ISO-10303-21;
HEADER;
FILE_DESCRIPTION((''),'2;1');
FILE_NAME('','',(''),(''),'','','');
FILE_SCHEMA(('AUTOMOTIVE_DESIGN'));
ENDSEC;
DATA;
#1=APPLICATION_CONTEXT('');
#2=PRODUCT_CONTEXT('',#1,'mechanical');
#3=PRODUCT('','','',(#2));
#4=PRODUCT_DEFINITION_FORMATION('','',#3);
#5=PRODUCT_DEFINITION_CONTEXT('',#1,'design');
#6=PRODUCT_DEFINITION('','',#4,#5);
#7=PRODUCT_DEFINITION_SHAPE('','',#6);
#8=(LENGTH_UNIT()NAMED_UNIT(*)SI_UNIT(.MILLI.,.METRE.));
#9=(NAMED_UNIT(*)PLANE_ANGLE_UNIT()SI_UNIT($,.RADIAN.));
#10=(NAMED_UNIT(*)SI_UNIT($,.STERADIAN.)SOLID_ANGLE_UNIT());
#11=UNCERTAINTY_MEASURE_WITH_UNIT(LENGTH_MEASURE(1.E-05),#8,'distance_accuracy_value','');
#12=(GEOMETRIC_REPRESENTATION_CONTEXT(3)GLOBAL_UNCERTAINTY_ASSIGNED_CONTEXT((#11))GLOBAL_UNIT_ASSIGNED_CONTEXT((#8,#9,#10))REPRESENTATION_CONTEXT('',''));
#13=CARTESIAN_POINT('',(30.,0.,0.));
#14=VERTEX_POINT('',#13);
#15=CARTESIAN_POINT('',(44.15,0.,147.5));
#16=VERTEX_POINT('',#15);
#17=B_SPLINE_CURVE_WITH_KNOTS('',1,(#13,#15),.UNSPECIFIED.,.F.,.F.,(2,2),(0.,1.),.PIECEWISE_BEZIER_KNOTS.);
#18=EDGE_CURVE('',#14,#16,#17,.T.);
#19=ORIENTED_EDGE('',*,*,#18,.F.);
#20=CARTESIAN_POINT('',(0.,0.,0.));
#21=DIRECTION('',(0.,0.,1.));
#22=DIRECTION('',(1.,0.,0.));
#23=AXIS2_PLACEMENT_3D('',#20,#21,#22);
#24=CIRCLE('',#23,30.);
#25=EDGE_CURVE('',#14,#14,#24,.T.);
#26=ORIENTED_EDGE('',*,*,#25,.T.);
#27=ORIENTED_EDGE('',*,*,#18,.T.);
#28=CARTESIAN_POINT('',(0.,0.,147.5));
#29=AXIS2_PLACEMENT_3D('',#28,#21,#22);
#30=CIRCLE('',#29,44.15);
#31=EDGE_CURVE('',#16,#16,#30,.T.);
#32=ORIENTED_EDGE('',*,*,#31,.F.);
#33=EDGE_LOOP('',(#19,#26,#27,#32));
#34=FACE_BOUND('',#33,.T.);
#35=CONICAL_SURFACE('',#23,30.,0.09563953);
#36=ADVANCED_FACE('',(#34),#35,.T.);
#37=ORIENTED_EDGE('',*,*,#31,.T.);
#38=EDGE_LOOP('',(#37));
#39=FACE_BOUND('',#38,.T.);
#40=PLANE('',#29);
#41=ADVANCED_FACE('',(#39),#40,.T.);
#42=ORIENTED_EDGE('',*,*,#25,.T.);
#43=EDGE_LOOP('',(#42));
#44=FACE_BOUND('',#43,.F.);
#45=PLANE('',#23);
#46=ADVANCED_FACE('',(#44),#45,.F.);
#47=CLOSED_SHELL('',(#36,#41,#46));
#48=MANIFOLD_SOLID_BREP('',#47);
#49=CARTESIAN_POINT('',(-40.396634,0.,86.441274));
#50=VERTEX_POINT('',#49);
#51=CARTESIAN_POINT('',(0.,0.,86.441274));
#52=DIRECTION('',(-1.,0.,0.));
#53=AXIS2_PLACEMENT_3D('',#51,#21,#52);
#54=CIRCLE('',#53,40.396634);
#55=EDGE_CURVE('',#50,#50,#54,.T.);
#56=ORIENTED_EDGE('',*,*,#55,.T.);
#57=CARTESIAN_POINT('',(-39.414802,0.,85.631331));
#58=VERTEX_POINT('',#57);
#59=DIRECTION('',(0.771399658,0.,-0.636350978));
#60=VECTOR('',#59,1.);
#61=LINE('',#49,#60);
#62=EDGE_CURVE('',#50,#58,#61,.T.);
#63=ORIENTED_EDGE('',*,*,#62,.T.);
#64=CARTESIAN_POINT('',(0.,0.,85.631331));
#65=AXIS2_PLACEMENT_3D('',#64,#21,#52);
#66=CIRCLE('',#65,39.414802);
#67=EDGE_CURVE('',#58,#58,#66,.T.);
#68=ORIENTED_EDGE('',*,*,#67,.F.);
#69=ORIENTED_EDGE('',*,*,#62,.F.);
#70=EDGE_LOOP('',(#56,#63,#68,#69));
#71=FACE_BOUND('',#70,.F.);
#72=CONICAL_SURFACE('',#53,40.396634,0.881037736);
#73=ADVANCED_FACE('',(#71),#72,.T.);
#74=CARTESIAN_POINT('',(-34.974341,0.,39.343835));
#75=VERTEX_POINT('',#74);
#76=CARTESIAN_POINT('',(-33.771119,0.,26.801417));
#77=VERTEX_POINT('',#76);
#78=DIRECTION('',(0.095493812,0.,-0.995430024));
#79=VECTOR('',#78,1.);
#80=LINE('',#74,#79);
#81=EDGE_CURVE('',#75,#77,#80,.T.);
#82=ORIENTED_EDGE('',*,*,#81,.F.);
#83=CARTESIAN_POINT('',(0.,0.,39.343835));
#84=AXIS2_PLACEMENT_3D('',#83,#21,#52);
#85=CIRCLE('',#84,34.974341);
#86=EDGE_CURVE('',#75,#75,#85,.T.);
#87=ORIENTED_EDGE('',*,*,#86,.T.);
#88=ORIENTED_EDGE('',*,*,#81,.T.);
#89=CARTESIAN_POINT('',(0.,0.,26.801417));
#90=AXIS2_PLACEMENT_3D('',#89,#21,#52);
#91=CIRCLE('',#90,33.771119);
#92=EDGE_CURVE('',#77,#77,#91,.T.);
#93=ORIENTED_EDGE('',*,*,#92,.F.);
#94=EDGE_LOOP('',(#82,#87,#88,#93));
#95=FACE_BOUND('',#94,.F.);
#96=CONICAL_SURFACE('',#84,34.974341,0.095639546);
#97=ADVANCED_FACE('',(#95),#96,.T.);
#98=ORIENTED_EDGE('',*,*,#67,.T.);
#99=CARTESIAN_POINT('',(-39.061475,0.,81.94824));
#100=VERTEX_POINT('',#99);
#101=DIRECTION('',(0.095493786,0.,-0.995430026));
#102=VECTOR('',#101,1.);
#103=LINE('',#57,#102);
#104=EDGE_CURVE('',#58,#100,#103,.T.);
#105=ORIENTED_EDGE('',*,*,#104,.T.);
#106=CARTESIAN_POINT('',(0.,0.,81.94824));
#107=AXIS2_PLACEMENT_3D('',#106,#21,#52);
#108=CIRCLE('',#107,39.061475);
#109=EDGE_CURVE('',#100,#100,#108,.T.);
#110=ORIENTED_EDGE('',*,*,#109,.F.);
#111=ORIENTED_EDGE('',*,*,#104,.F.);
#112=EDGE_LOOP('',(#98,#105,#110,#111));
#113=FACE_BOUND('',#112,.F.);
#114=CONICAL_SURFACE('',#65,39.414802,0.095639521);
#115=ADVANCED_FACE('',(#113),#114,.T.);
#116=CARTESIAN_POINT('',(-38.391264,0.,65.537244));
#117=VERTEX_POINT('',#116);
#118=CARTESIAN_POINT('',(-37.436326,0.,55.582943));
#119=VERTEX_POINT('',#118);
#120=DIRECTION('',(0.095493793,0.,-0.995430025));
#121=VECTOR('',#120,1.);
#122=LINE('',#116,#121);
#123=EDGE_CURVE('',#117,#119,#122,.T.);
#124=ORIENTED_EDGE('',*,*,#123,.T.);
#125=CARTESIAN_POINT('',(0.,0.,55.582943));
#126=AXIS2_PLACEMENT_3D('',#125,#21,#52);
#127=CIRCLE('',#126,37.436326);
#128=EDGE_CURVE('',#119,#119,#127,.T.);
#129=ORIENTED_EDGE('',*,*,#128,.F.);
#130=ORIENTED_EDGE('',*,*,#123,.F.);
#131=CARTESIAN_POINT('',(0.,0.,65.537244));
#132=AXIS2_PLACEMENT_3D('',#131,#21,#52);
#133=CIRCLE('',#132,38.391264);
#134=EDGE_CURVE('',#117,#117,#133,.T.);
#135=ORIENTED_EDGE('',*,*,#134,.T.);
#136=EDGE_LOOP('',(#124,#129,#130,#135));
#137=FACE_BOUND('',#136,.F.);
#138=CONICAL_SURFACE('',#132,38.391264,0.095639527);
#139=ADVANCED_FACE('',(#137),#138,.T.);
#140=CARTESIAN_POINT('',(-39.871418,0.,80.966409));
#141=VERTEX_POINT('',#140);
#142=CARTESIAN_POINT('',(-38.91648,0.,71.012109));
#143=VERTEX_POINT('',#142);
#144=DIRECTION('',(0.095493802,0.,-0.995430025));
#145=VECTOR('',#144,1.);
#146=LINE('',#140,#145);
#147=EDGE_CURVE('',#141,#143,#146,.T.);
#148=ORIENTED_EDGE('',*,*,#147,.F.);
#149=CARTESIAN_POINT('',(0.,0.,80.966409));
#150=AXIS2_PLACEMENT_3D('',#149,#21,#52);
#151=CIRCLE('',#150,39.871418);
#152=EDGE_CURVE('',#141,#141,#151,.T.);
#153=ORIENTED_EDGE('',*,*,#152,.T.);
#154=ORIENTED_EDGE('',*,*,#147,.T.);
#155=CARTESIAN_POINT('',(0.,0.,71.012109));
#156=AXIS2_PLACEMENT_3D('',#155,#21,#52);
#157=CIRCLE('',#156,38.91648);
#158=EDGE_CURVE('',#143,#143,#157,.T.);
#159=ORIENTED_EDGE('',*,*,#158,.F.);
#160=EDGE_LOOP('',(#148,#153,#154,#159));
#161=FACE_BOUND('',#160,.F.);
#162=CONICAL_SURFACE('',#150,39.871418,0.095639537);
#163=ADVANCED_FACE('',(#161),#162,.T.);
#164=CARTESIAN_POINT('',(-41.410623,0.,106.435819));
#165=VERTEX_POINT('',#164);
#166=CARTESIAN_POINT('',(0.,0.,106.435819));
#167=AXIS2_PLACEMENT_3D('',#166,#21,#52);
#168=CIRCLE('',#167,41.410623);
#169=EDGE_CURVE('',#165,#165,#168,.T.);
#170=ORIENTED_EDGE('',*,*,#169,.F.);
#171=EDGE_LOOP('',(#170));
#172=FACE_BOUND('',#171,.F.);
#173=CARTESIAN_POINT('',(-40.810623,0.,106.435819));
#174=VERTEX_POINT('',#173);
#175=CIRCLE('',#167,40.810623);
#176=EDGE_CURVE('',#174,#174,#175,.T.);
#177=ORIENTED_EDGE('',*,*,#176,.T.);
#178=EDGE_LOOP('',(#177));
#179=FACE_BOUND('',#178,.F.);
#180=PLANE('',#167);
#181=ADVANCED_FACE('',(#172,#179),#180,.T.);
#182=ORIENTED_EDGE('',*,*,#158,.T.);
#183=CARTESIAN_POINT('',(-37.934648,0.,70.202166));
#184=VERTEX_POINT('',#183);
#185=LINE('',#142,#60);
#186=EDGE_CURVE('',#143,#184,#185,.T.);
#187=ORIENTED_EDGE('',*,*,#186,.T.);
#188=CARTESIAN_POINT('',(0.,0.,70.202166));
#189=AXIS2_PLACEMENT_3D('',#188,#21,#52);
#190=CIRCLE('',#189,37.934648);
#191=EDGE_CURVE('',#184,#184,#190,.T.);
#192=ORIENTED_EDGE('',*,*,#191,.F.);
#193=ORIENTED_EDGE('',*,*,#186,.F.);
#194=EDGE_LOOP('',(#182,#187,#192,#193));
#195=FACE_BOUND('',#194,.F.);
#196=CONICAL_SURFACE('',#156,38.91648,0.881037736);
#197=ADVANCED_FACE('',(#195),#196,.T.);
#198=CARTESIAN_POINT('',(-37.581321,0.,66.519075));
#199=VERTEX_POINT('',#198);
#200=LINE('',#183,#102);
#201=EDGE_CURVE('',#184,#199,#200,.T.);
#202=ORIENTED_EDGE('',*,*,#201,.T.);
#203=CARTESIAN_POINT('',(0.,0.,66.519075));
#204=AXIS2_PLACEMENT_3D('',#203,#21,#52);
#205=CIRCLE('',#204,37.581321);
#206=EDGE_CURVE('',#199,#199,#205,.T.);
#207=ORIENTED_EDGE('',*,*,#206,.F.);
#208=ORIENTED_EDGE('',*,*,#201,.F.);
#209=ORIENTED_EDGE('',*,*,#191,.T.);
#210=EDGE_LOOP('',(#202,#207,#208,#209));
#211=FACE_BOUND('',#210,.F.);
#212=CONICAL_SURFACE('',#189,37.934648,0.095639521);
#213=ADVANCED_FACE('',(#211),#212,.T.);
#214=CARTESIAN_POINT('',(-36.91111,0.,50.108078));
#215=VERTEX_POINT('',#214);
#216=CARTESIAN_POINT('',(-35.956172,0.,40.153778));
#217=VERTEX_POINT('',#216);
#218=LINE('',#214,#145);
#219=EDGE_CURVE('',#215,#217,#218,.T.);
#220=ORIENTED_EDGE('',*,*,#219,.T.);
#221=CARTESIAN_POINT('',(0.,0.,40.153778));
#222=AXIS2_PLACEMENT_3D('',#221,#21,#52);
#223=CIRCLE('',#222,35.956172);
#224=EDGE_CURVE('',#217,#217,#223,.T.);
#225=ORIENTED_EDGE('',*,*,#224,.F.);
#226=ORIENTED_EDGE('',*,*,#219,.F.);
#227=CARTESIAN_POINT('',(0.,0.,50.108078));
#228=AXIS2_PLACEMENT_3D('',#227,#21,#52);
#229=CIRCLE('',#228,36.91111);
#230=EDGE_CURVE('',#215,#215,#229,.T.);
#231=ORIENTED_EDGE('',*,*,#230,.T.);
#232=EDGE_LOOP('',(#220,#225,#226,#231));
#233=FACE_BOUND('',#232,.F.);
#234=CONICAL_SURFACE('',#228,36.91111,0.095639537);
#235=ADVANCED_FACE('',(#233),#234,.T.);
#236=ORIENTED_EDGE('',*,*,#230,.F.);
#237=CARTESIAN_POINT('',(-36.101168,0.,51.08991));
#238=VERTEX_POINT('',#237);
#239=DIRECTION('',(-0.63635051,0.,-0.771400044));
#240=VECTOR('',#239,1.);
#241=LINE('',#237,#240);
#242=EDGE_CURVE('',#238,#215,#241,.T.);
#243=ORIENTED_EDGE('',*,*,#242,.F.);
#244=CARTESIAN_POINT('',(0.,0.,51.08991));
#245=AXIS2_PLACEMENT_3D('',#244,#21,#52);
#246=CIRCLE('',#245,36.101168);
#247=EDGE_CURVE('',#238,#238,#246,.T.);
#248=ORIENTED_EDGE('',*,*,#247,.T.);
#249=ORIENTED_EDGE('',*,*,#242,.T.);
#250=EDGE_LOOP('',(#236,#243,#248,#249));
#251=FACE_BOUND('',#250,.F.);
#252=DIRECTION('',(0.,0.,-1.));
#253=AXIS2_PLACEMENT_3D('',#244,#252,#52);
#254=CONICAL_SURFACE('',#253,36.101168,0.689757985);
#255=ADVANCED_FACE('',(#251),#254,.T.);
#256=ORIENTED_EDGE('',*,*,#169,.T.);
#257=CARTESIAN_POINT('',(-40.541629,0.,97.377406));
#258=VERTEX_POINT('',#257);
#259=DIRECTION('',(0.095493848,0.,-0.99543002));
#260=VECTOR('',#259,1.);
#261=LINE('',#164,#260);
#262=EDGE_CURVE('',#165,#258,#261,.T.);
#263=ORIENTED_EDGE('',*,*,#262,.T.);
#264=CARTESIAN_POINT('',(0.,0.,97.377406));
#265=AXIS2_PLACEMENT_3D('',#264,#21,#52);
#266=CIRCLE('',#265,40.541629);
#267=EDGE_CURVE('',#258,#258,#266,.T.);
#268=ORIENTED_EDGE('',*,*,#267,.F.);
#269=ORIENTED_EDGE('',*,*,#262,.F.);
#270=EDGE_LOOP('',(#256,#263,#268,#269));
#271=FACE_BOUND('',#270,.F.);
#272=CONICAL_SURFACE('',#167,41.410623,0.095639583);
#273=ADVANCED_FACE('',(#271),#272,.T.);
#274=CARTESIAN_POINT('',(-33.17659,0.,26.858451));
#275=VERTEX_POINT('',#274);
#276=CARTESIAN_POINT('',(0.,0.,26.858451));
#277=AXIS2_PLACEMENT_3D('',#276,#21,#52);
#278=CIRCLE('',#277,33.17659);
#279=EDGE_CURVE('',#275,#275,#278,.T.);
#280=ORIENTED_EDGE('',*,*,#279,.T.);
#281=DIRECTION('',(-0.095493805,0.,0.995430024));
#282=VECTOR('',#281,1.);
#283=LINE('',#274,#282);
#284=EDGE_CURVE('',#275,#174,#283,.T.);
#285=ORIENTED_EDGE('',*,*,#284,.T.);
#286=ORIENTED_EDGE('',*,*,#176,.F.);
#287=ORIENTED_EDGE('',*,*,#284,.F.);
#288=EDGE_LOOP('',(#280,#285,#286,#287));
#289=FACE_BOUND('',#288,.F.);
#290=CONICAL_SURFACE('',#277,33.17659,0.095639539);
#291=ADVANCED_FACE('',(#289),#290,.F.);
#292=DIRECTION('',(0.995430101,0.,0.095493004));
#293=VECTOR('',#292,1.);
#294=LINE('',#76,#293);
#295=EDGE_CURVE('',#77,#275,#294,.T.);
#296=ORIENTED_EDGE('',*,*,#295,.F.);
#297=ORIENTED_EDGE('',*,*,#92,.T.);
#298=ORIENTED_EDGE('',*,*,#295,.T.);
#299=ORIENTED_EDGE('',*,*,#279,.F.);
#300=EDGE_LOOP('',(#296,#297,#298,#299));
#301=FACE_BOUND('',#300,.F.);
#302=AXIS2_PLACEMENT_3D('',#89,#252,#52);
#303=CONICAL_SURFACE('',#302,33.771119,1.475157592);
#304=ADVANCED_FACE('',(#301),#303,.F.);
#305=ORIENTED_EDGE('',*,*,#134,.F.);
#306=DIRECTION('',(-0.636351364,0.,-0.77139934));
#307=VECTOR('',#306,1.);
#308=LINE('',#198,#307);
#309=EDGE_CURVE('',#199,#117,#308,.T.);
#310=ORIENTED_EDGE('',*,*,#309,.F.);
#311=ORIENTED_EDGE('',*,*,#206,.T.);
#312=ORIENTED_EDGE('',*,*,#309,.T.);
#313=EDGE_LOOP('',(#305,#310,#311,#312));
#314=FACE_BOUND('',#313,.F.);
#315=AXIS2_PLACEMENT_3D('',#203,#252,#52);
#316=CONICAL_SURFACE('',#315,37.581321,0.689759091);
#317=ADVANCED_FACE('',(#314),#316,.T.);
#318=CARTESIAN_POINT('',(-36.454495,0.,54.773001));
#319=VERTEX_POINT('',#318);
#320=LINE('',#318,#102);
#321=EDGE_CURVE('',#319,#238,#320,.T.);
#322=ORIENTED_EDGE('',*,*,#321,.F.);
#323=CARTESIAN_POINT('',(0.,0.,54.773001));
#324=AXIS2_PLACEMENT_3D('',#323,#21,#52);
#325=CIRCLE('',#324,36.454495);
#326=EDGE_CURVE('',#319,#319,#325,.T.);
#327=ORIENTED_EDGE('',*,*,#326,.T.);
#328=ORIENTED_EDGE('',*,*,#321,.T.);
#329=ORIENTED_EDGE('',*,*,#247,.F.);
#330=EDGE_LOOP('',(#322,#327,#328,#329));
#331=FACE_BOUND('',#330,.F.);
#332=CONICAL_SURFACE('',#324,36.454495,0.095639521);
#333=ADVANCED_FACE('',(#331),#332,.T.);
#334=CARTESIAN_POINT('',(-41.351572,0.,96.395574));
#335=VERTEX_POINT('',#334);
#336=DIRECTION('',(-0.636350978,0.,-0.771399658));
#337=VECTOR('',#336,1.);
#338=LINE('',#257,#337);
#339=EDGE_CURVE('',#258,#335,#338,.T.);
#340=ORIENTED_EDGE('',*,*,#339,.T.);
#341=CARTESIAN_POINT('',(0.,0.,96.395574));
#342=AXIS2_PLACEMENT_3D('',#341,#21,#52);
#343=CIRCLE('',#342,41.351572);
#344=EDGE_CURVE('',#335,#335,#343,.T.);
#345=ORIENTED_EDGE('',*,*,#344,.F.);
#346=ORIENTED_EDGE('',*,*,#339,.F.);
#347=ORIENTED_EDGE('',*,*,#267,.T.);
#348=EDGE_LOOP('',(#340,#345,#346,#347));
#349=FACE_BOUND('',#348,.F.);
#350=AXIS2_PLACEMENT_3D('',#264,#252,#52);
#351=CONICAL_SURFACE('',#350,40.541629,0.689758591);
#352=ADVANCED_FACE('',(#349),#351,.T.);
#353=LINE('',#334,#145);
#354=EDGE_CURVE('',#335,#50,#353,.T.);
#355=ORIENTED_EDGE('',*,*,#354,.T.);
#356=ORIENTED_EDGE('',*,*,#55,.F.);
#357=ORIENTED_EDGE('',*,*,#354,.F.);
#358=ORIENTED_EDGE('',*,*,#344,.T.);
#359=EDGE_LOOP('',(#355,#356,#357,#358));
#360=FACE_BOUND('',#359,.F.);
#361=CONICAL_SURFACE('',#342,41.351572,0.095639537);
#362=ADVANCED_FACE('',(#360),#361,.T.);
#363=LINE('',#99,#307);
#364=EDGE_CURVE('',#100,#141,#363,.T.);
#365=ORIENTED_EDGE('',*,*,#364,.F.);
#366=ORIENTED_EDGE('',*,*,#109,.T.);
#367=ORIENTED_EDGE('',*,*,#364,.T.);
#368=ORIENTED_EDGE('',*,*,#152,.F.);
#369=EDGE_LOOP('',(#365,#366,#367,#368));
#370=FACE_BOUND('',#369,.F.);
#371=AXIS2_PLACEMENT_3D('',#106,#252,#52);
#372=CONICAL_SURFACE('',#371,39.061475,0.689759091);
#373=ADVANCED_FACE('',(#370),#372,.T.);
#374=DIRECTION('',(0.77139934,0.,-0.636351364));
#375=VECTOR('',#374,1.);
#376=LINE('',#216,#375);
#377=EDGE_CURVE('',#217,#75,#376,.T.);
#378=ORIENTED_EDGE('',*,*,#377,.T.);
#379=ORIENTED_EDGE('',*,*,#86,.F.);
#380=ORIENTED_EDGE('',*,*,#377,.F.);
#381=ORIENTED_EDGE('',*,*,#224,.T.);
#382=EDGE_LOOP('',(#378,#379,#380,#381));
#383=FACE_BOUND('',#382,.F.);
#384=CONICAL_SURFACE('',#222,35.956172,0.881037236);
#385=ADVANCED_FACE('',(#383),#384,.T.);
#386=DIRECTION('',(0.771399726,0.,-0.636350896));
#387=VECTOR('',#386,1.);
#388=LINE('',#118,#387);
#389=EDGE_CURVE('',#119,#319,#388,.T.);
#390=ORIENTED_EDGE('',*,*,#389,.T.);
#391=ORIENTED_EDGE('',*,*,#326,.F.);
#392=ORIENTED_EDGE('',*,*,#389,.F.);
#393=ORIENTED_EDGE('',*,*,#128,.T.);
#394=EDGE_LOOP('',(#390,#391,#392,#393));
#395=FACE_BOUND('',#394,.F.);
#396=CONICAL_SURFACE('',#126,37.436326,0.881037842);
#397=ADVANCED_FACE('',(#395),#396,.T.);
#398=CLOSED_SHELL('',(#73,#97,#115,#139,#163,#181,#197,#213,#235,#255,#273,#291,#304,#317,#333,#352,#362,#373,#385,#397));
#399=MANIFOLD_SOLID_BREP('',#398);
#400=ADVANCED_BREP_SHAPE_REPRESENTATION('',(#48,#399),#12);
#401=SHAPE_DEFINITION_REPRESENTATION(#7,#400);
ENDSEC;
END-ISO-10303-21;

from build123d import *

# Parameters (mm, degrees)
F0_R = 30
F2_R = 44.15


with BuildPart() as f3:
    # F0 (on Top) → F3 section 0
    with BuildSketch(Plane.XY):
        Circle(F0_R)
    # F2 (on offset) → F3 section 1
    with BuildSketch(Plane.XY.offset(147.5)):
        Circle(F2_R)
    loft()


with BuildPart() as f5:
    # F4 (on Front) → F5 (revolve)
    with BuildSketch(Plane.XZ):
        Polygon((-39.414802, 85.631331), (-40.541629, 97.377406), (-41.351572, 96.395574), (-40.396634, 86.441274), align=None)
        Polygon((-33.17659, 26.858451), (-40.810623, 106.435819), (-41.410623, 106.435819), (-40.541629, 97.377406), (-39.414802, 85.631331), (-39.061475, 81.94824), (-37.934648, 70.202166), (-37.581321, 66.519075), (-36.454495, 54.773001), (-36.101168, 51.08991), (-34.974341, 39.343835), (-33.771119, 26.801417), align=None)
        Polygon((-37.934648, 70.202166), (-39.061475, 81.94824), (-39.871418, 80.966409), (-38.91648, 71.012109), align=None)
        Polygon((-35.956172, 40.153778), (-34.974341, 39.343835), (-36.101168, 51.08991), (-36.91111, 50.108078), align=None)
        Polygon((-37.436326, 55.582943), (-36.454495, 54.773001), (-37.581321, 66.519075), (-38.391264, 65.537244), align=None)
    revolve(axis=Axis((0, 0, 73.75), (0, 0, 1)))


solid = Compound([f3.part, f5.part])
